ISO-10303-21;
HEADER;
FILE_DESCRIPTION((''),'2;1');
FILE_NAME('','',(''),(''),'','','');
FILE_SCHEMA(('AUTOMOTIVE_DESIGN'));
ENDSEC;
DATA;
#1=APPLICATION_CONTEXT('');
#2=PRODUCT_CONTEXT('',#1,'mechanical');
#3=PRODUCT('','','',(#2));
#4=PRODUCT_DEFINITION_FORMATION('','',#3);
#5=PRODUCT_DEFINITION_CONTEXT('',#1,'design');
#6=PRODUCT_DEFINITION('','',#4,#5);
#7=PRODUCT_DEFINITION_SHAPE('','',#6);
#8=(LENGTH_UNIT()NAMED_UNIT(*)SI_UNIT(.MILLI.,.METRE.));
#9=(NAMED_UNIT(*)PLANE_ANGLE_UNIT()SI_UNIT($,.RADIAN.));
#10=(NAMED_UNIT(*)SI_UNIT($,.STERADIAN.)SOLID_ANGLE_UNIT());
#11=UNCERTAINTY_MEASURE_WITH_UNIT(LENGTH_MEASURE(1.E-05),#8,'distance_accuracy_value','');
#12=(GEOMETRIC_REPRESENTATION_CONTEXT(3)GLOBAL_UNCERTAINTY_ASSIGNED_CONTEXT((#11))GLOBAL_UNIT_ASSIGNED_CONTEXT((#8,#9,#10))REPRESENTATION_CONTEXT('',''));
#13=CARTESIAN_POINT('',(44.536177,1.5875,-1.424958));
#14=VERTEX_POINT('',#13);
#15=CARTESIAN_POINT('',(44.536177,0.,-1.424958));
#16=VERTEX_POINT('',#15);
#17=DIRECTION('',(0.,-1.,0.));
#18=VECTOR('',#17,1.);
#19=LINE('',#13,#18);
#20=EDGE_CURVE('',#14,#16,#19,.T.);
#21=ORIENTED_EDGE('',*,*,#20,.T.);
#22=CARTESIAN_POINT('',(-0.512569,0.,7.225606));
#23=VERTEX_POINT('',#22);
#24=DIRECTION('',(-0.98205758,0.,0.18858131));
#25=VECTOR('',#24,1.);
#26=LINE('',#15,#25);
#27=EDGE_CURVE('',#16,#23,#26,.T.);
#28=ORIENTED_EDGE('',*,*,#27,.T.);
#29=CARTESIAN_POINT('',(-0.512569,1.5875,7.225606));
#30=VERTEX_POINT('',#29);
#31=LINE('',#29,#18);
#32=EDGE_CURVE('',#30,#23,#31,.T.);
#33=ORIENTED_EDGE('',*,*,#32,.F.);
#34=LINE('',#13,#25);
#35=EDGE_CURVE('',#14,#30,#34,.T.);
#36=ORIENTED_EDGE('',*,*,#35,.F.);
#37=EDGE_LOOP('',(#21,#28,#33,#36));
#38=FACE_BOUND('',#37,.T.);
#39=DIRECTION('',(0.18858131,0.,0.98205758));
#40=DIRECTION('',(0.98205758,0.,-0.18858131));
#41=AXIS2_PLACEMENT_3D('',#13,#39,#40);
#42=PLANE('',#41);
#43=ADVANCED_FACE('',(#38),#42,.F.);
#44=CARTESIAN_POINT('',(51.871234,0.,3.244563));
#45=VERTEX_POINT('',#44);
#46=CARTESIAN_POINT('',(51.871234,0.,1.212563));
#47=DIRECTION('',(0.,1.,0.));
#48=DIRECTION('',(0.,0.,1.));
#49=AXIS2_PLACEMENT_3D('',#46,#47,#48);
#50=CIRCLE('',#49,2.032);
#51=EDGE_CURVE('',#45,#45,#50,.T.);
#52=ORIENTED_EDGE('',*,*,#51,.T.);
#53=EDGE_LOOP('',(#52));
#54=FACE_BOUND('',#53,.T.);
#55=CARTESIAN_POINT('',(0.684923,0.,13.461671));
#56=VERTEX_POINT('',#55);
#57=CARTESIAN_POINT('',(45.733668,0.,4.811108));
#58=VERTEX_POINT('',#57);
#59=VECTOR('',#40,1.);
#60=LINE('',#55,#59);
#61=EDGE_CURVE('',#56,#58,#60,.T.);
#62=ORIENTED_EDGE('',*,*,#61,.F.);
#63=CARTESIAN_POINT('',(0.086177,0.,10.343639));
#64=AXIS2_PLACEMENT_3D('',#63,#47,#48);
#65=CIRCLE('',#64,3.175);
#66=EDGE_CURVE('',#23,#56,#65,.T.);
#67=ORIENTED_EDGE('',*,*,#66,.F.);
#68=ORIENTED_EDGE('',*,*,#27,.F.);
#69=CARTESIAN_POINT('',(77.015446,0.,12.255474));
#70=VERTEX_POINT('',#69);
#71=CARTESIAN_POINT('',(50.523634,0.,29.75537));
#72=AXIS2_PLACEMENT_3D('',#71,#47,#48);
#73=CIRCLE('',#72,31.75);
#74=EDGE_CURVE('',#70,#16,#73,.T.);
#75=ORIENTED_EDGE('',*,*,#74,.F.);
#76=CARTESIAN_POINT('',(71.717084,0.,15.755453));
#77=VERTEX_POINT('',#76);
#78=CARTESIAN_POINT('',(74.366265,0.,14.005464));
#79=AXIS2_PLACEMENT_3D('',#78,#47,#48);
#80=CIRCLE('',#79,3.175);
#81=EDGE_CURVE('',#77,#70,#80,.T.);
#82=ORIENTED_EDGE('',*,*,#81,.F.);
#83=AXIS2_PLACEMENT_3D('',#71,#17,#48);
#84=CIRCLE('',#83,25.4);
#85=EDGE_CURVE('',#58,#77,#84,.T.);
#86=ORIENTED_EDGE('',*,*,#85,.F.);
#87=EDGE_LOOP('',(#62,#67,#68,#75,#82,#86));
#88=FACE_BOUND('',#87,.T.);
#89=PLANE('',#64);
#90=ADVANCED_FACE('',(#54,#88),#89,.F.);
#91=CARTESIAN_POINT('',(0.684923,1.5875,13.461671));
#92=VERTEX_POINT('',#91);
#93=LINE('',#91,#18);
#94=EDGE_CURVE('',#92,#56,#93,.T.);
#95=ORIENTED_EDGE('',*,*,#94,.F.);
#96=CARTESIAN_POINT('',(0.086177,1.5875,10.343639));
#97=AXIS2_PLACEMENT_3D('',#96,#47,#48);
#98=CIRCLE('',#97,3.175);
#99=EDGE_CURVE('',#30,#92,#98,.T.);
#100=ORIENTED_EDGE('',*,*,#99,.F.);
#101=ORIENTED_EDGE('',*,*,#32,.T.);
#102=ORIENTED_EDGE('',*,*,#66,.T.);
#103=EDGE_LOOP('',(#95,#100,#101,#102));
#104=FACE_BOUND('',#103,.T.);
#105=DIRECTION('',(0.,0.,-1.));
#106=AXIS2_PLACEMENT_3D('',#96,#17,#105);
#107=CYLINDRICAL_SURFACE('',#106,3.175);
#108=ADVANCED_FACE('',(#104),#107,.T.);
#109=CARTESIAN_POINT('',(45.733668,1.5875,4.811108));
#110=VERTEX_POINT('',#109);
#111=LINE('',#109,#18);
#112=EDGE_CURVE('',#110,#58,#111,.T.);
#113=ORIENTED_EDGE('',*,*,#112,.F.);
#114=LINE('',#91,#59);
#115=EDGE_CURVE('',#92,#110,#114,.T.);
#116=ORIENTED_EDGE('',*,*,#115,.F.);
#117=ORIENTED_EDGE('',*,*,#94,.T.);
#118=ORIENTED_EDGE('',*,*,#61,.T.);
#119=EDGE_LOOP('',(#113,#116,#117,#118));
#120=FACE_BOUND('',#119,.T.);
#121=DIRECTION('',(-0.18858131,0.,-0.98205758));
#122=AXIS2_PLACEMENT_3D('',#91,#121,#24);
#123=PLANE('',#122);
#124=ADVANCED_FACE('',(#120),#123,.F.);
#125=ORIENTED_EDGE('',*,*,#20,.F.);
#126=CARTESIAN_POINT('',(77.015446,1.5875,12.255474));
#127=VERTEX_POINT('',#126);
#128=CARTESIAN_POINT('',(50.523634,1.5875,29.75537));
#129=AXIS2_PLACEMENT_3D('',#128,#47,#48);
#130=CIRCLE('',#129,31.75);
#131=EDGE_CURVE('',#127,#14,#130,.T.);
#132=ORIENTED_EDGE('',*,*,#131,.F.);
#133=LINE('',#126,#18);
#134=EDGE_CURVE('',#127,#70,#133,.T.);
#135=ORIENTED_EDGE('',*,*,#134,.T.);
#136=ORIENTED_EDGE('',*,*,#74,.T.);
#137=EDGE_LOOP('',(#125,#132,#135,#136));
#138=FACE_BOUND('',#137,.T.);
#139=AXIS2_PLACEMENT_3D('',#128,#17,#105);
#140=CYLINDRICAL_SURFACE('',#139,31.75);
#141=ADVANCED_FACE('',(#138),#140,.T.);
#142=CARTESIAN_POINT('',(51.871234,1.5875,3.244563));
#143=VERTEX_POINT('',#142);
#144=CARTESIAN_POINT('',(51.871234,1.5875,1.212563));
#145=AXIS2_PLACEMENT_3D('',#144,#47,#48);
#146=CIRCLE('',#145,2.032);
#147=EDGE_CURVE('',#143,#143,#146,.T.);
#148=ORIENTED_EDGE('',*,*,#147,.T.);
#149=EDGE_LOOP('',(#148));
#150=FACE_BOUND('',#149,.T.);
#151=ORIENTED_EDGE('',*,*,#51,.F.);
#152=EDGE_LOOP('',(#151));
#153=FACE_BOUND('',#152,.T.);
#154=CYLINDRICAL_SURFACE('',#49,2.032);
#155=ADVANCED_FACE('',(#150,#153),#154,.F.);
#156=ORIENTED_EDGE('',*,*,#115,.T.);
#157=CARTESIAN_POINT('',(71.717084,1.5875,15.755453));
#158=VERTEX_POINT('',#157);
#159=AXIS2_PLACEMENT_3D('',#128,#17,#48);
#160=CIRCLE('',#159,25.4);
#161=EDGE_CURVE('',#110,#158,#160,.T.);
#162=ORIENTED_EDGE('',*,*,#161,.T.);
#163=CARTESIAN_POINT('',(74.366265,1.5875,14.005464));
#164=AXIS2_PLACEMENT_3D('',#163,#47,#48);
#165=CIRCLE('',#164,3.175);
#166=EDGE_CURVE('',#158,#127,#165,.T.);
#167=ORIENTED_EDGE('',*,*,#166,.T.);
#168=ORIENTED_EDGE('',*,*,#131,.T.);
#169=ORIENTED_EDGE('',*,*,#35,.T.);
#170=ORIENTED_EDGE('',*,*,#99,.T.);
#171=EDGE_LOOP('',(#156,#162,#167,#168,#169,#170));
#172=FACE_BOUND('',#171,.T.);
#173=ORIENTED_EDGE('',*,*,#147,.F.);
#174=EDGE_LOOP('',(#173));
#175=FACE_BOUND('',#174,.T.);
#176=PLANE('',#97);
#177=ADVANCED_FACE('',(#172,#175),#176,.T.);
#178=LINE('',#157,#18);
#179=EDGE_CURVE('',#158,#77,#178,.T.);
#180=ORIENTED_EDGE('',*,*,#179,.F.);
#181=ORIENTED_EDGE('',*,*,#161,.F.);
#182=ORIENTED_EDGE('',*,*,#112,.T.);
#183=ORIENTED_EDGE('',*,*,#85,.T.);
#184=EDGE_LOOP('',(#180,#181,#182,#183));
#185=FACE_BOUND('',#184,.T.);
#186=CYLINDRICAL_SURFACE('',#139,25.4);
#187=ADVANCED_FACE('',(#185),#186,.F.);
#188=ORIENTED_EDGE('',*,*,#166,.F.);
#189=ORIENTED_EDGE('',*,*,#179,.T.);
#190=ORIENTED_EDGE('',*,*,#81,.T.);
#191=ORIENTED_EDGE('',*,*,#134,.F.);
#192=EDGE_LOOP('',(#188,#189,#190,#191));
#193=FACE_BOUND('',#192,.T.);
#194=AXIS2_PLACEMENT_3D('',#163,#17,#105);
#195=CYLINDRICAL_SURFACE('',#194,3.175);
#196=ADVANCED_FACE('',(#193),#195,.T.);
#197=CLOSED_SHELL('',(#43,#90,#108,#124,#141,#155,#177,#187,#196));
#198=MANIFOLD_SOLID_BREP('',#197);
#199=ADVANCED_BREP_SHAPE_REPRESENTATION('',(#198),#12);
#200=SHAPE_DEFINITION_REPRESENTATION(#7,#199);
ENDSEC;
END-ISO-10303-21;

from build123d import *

# Parameters (mm, degrees)
BOSS_EXTRUDE1_DEPTH = 1.5875
SKETCH3_R           = 2.032
CUT_EXTRUDE1_DEPTH  = 80.437624756


with BuildPart() as part:
    # Sketch2 → Boss-Extrude1 (new body)
    with BuildSketch(Plane(origin=(0, 0, 0), x_dir=(1, 0, 0), z_dir=(0, 1, 0))):
        with BuildLine():
            Line((44.536177097, 1.424957669), (-0.512568563, -7.225605856))
            ThreePointArc((-0.512568563, -7.225605856), (-3.031855718, -10.942384331), (0.684922757, -13.461671486))
            Line((0.684922757, -13.461671486), (45.733668417, -4.811107961))
            ThreePointArc((45.733668417, -4.811107961), (60.383311669, -6.347108045), (71.717083543, -15.755453212))
            ThreePointArc((71.717083543, -15.755453212), (76.116254433, -16.654644785), (77.015446005, -12.255473895))
            ThreePointArc((77.015446005, -12.255473895), (62.848231163, -0.495042436), (44.536177097, 1.424957669))
        make_face()
    extrude(amount=BOSS_EXTRUDE1_DEPTH)

    # Sketch3 → Cut-Extrude1 (cut, through all)
    with BuildSketch(Plane(origin=(0, 1.5875, 0), x_dir=(1, 0, 0), z_dir=(0, 1, 0))):
        with Locations(Location((51.871233594, -1.212563202, 0), (0, 0, 270))):
            Circle(SKETCH3_R)
    extrude(amount=-CUT_EXTRUDE1_DEPTH, mode=Mode.SUBTRACT)


solid = part.part
